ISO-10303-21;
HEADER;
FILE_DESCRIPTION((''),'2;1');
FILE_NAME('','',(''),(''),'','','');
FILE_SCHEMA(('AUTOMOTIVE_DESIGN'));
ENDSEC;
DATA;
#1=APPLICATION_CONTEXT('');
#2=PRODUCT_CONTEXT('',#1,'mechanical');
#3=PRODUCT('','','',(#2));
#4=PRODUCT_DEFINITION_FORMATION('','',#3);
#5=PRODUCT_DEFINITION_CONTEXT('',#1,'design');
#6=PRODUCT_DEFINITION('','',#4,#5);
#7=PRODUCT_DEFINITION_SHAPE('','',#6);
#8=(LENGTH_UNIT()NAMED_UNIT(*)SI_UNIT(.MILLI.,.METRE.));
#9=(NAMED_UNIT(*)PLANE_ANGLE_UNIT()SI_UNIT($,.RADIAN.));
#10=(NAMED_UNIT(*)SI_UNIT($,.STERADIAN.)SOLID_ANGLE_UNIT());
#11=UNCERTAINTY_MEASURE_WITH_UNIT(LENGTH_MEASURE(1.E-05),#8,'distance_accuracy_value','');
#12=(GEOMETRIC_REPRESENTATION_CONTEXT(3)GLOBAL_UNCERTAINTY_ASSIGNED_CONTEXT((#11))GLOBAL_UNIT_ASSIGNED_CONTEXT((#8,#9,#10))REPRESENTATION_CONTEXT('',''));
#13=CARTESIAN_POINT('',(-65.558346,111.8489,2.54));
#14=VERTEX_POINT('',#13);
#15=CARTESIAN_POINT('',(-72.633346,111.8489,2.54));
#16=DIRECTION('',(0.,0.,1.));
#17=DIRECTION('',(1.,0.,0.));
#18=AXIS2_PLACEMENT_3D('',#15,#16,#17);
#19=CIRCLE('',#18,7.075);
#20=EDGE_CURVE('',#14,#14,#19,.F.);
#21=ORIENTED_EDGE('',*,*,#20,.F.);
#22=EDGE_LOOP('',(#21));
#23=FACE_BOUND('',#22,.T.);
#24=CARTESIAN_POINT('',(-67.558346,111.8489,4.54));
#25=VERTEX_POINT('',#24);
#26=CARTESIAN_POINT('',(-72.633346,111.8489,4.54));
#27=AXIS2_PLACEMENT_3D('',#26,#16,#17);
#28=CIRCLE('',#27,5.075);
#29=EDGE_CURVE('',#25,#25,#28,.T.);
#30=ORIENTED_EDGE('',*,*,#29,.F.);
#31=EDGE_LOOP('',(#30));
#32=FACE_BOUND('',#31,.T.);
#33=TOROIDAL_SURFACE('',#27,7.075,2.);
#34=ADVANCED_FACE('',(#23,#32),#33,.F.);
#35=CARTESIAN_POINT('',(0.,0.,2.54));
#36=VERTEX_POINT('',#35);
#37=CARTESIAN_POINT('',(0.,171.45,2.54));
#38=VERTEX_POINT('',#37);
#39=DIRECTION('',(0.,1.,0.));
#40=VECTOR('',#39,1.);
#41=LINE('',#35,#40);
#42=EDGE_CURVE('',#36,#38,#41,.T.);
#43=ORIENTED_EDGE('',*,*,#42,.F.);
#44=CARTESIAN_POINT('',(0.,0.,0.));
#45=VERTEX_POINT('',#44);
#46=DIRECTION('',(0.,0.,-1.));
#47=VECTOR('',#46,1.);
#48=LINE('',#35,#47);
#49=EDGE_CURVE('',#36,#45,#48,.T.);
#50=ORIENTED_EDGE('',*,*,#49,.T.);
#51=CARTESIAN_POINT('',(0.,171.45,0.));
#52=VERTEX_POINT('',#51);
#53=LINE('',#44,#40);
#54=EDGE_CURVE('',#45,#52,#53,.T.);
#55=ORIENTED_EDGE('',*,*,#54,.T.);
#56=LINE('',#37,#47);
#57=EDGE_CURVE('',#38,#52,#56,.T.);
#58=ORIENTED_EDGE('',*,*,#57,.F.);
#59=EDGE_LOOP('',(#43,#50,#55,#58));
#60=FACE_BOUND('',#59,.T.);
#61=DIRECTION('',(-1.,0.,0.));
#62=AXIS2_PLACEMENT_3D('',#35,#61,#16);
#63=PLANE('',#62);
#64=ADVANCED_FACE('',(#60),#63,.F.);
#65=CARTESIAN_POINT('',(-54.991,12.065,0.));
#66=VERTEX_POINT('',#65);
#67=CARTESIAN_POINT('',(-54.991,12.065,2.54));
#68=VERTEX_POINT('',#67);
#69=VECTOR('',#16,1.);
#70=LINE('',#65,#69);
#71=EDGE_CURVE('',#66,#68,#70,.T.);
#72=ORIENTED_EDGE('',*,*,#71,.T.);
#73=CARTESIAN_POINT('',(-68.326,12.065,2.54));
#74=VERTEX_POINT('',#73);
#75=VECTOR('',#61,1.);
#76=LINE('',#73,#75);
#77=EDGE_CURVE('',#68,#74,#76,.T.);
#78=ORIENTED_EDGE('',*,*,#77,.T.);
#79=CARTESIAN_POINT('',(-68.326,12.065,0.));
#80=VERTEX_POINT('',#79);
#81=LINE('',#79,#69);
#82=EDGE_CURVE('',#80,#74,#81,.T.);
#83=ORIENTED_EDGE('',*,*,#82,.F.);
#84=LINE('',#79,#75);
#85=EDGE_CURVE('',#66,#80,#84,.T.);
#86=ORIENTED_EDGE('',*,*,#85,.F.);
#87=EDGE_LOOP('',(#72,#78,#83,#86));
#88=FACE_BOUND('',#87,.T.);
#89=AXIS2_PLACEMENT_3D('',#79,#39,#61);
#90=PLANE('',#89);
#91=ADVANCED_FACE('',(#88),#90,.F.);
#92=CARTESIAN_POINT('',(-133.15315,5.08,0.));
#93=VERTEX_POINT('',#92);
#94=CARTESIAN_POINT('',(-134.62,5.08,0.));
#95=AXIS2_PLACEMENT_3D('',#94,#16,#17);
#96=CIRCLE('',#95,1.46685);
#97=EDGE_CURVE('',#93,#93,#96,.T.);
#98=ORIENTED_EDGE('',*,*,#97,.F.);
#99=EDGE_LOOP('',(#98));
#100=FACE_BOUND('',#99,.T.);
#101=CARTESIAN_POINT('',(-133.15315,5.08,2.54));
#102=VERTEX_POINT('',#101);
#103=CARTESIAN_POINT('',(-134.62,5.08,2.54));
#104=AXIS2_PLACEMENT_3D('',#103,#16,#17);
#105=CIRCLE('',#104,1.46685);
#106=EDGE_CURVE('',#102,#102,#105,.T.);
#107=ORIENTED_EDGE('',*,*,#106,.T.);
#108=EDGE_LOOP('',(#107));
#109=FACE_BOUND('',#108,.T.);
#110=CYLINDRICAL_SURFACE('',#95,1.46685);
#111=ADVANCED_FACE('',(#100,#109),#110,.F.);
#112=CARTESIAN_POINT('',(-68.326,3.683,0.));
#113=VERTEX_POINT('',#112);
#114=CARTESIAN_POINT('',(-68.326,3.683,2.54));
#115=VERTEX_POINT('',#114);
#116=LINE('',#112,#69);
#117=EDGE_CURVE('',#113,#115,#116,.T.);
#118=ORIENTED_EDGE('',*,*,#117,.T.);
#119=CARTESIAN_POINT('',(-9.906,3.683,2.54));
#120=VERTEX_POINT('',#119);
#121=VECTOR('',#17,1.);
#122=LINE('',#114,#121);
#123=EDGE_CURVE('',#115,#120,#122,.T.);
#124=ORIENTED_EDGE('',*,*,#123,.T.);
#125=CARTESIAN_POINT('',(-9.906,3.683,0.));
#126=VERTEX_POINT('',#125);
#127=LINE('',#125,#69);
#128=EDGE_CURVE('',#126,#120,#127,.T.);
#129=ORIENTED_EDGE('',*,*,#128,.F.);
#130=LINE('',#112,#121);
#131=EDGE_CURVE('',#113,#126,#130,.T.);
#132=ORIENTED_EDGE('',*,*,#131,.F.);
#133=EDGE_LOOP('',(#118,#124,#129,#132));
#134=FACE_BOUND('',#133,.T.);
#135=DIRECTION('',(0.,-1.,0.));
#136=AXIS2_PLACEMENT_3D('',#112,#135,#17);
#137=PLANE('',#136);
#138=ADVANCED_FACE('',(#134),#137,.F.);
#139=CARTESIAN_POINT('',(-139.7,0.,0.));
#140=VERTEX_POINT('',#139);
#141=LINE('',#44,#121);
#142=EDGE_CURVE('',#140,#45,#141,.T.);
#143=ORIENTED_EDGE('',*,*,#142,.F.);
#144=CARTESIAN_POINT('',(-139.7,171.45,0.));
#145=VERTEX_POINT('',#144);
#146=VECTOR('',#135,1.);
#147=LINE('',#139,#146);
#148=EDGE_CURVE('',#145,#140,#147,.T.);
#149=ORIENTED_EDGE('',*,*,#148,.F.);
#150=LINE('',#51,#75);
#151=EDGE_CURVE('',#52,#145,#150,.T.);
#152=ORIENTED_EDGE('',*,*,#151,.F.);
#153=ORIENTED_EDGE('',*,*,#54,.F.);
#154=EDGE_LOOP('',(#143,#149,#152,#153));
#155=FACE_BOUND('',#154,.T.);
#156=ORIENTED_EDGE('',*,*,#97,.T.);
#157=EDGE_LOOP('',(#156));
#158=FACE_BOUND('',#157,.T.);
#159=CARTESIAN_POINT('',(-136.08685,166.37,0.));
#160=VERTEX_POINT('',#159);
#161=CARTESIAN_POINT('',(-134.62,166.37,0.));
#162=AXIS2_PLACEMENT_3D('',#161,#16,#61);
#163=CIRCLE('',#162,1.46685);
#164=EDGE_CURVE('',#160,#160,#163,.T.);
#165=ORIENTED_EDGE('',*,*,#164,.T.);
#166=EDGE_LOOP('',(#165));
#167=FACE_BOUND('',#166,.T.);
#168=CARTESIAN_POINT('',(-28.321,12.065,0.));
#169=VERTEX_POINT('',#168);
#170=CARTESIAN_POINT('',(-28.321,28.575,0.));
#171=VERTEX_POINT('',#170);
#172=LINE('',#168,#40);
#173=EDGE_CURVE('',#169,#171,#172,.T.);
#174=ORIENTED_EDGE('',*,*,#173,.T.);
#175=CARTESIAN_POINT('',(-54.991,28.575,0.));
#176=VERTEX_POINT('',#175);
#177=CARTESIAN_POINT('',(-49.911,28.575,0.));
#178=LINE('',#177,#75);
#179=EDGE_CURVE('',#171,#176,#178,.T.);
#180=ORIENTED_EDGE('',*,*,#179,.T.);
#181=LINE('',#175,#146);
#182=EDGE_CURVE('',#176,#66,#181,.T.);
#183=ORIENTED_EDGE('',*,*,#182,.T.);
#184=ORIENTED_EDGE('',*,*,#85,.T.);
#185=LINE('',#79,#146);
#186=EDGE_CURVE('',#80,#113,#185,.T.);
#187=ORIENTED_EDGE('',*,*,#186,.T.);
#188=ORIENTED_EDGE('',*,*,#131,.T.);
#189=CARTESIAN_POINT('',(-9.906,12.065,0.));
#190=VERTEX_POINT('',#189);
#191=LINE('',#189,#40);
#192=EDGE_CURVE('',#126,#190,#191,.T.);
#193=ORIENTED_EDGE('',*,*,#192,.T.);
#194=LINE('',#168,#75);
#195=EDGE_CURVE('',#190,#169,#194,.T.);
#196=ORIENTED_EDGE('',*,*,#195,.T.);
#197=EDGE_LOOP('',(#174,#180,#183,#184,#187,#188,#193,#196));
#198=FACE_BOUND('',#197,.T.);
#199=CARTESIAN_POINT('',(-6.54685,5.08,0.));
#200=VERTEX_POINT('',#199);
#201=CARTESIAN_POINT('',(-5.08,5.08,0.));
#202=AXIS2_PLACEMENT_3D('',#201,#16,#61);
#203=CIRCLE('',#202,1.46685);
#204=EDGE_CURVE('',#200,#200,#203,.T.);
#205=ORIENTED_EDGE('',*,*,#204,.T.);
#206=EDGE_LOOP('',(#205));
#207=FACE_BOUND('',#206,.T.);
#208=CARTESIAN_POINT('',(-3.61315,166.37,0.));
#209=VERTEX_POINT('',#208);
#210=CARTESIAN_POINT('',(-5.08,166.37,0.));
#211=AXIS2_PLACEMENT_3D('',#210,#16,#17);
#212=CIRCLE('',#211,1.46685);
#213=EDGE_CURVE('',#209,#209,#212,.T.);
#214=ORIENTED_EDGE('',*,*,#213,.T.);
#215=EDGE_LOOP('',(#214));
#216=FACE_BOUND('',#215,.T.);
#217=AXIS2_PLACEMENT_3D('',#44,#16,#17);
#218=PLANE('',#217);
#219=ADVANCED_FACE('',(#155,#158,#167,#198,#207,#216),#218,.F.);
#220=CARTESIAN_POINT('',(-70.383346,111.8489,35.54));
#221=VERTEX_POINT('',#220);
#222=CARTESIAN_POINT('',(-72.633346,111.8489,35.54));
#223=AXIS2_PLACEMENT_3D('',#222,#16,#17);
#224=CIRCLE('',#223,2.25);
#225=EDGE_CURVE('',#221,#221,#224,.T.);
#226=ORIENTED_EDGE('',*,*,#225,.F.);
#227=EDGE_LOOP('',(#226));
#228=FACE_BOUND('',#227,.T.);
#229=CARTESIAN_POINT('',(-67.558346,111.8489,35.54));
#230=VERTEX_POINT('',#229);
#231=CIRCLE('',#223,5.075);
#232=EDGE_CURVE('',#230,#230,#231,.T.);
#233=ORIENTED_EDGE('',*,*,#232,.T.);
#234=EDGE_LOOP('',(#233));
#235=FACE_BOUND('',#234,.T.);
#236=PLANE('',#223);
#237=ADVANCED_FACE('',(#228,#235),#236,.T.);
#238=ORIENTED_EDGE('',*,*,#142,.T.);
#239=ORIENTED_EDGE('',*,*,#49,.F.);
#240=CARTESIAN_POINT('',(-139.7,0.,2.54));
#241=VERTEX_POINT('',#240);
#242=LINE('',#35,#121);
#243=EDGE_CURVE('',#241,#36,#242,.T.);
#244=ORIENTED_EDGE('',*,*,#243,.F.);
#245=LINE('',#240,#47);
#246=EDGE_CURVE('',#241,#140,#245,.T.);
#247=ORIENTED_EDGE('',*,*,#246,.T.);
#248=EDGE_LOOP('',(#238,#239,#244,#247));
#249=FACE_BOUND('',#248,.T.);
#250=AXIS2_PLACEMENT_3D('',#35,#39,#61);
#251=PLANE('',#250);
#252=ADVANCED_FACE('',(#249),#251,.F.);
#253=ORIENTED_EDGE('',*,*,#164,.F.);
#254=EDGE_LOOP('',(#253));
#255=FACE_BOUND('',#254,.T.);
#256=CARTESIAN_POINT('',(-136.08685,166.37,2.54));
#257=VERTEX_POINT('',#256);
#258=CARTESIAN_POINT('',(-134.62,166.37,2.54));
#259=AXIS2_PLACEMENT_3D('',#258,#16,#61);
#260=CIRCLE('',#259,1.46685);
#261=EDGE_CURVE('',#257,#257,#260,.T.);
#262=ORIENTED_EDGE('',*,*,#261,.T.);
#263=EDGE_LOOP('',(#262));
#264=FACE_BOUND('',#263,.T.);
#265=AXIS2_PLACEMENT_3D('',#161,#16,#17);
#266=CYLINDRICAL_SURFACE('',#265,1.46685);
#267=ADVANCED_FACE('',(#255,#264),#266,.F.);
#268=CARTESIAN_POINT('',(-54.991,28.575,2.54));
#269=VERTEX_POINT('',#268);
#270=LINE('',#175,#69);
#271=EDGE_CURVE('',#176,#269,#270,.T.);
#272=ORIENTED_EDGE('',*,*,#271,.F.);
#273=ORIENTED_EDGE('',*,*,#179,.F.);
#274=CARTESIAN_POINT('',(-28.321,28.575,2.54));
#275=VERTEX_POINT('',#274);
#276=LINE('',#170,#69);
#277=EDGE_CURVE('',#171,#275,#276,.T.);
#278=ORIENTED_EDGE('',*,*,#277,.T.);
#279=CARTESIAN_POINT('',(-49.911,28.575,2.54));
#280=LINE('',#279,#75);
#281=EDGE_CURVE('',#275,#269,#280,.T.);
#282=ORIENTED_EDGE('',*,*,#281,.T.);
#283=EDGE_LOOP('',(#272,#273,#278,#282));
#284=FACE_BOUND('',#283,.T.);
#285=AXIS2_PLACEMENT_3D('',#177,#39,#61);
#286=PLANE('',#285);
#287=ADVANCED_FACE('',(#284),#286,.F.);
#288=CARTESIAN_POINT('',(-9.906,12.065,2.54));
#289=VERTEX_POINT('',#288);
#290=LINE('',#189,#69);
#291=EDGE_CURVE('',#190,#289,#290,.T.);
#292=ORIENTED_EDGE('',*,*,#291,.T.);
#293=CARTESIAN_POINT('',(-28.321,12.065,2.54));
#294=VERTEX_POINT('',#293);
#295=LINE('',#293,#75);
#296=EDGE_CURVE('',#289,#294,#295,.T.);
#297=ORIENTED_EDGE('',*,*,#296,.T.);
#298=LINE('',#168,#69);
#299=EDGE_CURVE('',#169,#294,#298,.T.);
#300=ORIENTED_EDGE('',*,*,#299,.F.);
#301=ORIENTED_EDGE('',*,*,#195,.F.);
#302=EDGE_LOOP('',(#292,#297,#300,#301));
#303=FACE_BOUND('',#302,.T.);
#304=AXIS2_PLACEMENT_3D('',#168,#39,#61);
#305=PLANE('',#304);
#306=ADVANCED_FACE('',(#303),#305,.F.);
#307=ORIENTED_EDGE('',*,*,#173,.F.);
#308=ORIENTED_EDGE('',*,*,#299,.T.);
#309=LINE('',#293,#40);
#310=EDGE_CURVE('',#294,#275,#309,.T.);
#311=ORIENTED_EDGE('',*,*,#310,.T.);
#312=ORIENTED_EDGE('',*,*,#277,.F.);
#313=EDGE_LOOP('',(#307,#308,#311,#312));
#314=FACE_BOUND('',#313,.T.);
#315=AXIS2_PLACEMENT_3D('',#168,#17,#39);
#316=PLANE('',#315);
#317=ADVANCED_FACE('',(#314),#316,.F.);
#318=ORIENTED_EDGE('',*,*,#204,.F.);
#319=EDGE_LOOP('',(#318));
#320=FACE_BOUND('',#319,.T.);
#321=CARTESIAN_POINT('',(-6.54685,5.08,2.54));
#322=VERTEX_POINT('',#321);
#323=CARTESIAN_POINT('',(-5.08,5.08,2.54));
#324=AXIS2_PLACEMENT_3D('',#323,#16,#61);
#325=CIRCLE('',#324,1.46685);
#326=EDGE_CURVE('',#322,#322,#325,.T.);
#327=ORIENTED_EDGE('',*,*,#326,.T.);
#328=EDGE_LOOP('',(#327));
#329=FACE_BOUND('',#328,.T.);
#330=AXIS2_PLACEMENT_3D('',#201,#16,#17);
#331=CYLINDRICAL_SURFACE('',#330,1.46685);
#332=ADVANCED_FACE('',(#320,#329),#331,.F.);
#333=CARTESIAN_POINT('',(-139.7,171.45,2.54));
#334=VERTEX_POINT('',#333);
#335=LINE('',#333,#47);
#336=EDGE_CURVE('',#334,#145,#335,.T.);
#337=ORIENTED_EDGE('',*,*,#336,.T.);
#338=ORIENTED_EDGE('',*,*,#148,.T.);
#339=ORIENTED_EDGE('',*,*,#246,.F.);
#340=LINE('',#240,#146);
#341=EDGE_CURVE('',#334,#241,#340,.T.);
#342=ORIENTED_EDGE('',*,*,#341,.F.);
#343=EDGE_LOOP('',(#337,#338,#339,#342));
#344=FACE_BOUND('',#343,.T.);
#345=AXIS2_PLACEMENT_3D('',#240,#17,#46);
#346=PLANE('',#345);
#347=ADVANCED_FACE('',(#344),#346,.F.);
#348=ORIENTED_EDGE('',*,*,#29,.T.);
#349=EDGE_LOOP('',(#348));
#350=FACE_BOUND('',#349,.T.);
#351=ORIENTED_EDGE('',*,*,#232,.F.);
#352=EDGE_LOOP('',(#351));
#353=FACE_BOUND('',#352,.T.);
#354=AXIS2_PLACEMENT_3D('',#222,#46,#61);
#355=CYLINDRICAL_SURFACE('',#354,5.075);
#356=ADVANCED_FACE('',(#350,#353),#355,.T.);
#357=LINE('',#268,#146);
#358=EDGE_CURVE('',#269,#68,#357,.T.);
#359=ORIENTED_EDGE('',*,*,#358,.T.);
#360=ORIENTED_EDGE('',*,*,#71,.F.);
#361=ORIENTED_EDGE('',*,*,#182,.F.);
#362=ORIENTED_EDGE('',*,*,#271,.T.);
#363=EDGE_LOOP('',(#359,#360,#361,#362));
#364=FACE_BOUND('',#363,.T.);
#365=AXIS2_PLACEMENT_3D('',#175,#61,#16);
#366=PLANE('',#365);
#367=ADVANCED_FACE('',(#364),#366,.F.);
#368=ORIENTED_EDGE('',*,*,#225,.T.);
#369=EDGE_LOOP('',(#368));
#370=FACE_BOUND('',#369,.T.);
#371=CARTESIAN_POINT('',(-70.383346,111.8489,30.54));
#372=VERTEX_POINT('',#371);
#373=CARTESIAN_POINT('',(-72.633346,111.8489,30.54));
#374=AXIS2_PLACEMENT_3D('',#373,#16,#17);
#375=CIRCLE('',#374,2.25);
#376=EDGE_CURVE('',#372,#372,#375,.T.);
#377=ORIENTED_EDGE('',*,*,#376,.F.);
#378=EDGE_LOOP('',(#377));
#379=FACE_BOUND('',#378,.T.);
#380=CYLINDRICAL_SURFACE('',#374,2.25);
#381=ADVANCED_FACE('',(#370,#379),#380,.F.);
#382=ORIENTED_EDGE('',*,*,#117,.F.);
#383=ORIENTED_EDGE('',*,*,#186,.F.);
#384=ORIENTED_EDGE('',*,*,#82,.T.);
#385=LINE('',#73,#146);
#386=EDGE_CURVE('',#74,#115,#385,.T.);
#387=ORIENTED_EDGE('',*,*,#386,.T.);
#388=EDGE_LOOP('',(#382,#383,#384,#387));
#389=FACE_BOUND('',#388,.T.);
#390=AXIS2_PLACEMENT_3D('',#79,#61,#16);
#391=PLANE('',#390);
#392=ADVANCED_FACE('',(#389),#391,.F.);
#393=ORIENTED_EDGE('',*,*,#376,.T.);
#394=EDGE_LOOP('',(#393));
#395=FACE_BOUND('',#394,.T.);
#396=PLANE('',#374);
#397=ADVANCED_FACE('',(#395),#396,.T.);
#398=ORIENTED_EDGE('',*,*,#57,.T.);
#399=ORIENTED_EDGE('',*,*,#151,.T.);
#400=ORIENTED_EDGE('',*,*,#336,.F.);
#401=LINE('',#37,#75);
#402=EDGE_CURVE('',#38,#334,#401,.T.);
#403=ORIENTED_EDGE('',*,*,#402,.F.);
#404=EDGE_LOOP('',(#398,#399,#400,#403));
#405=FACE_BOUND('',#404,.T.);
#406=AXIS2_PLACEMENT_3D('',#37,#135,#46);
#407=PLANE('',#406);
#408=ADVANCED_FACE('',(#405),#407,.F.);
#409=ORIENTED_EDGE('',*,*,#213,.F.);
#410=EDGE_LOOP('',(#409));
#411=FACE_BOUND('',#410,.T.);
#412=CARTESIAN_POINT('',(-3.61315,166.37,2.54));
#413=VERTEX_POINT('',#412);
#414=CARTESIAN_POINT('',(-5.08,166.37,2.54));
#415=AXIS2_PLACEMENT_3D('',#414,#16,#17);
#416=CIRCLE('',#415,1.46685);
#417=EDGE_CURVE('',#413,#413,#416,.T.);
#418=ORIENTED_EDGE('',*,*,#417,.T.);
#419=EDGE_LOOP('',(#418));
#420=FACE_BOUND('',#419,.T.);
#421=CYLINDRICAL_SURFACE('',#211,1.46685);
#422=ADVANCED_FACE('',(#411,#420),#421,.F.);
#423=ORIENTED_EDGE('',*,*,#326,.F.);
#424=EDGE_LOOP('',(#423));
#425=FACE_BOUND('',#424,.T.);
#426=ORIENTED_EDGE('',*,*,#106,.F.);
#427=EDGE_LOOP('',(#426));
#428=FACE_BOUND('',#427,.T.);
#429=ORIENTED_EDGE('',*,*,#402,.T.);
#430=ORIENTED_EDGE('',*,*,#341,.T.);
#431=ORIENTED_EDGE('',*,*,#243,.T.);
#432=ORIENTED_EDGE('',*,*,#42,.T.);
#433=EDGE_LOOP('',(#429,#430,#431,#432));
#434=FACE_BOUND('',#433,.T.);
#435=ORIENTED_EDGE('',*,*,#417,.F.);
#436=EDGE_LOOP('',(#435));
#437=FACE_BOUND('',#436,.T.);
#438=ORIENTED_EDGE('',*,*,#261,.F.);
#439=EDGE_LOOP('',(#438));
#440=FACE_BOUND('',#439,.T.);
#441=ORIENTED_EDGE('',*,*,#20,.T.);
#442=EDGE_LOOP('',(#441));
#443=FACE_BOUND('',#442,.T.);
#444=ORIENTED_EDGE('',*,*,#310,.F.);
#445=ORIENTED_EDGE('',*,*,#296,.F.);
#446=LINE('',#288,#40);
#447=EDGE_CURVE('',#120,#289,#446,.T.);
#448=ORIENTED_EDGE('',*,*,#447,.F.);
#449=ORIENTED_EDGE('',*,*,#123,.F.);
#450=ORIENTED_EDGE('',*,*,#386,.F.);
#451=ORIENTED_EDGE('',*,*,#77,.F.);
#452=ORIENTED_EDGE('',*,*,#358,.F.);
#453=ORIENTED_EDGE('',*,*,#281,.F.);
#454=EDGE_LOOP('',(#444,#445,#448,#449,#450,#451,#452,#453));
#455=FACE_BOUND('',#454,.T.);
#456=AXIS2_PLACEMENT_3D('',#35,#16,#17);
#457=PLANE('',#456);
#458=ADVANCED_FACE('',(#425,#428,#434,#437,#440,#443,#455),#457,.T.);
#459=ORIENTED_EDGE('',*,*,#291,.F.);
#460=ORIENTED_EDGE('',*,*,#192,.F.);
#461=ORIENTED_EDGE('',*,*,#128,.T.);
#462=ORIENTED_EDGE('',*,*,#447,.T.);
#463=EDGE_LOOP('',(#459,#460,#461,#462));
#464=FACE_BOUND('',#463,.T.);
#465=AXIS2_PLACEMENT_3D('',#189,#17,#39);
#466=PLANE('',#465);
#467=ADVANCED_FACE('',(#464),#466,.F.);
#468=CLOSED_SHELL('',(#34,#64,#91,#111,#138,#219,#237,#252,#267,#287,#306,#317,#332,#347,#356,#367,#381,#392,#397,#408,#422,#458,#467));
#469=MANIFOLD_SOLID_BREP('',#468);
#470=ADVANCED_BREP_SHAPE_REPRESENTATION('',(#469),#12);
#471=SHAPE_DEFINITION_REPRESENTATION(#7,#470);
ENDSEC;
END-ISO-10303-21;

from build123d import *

# Parameters (mm, degrees)
SKETCH1_W           = 139.7
SKETCH1_H           = 171.45
BOSS_EXTRUDE1_DEPTH = 2.54
CUT_EXTRUDE1_DEPTH  = 2.54
SKETCH12_R          = 1.46685
CUT_EXTRUDE6_DEPTH  = 3.54
SKETCH24_R          = 5.075
BOSS_EXTRUDE8_DEPTH = 33
FILLET2_R           = 2
SKETCH26_R          = 2.25
CUT_EXTRUDE16_DEPTH = 5


with BuildPart() as part:
    # Sketch1 → Boss-Extrude1 (new body)
    with BuildSketch(Plane.XY):
        with Locations((-69.85, 85.725)):
            Rectangle(SKETCH1_W, SKETCH1_H)
    extrude(amount=BOSS_EXTRUDE1_DEPTH)

    # Sketch3 → Cut-Extrude1 (cut)
    with BuildSketch(Plane.XY.offset(2.54)):
        Polygon((-28.321, 12.065), (-9.906, 12.065), (-9.906, 3.683), (-68.326, 3.683), (-68.326, 12.065), (-54.991, 12.065), (-54.991, 28.575), (-49.911, 28.575), (-28.321, 28.575), align=None)
    extrude(amount=-CUT_EXTRUDE1_DEPTH, mode=Mode.SUBTRACT)

    # Sketch12 → Cut-Extrude6 (cut, through all)
    with BuildSketch(Plane.XY.offset(2.54)):
        with Locations((-134.62, 5.08)):
            Circle(SKETCH12_R)
        with Locations((-134.62, 166.37)):
            Circle(SKETCH12_R)
        with Locations((-5.08, 166.37)):
            Circle(SKETCH12_R)
        with Locations((-5.08, 5.08)):
            Circle(SKETCH12_R)
    extrude(amount=-CUT_EXTRUDE6_DEPTH, mode=Mode.SUBTRACT)

    # Sketch24 → Boss-Extrude8 (add)
    with BuildSketch(Plane.XY.offset(2.54)):
        with Locations((-72.633345717, 111.8489)):
            Circle(SKETCH24_R)
    extrude(amount=BOSS_EXTRUDE8_DEPTH)

    # Fillet2
    fillet2_edges = [part.edges().sort_by_distance(p)[0] for p in [
        (-77.708345717, 111.8489, 2.54),
    ]]
    fillet(fillet2_edges, radius=FILLET2_R)

    # Sketch26 → Cut-Extrude16 (cut)
    with BuildSketch(Plane.XY.offset(35.54)):
        with Locations((-72.633345717, 111.8489)):
            Circle(SKETCH26_R)
    extrude(amount=-CUT_EXTRUDE16_DEPTH, mode=Mode.SUBTRACT)


solid = part.part
